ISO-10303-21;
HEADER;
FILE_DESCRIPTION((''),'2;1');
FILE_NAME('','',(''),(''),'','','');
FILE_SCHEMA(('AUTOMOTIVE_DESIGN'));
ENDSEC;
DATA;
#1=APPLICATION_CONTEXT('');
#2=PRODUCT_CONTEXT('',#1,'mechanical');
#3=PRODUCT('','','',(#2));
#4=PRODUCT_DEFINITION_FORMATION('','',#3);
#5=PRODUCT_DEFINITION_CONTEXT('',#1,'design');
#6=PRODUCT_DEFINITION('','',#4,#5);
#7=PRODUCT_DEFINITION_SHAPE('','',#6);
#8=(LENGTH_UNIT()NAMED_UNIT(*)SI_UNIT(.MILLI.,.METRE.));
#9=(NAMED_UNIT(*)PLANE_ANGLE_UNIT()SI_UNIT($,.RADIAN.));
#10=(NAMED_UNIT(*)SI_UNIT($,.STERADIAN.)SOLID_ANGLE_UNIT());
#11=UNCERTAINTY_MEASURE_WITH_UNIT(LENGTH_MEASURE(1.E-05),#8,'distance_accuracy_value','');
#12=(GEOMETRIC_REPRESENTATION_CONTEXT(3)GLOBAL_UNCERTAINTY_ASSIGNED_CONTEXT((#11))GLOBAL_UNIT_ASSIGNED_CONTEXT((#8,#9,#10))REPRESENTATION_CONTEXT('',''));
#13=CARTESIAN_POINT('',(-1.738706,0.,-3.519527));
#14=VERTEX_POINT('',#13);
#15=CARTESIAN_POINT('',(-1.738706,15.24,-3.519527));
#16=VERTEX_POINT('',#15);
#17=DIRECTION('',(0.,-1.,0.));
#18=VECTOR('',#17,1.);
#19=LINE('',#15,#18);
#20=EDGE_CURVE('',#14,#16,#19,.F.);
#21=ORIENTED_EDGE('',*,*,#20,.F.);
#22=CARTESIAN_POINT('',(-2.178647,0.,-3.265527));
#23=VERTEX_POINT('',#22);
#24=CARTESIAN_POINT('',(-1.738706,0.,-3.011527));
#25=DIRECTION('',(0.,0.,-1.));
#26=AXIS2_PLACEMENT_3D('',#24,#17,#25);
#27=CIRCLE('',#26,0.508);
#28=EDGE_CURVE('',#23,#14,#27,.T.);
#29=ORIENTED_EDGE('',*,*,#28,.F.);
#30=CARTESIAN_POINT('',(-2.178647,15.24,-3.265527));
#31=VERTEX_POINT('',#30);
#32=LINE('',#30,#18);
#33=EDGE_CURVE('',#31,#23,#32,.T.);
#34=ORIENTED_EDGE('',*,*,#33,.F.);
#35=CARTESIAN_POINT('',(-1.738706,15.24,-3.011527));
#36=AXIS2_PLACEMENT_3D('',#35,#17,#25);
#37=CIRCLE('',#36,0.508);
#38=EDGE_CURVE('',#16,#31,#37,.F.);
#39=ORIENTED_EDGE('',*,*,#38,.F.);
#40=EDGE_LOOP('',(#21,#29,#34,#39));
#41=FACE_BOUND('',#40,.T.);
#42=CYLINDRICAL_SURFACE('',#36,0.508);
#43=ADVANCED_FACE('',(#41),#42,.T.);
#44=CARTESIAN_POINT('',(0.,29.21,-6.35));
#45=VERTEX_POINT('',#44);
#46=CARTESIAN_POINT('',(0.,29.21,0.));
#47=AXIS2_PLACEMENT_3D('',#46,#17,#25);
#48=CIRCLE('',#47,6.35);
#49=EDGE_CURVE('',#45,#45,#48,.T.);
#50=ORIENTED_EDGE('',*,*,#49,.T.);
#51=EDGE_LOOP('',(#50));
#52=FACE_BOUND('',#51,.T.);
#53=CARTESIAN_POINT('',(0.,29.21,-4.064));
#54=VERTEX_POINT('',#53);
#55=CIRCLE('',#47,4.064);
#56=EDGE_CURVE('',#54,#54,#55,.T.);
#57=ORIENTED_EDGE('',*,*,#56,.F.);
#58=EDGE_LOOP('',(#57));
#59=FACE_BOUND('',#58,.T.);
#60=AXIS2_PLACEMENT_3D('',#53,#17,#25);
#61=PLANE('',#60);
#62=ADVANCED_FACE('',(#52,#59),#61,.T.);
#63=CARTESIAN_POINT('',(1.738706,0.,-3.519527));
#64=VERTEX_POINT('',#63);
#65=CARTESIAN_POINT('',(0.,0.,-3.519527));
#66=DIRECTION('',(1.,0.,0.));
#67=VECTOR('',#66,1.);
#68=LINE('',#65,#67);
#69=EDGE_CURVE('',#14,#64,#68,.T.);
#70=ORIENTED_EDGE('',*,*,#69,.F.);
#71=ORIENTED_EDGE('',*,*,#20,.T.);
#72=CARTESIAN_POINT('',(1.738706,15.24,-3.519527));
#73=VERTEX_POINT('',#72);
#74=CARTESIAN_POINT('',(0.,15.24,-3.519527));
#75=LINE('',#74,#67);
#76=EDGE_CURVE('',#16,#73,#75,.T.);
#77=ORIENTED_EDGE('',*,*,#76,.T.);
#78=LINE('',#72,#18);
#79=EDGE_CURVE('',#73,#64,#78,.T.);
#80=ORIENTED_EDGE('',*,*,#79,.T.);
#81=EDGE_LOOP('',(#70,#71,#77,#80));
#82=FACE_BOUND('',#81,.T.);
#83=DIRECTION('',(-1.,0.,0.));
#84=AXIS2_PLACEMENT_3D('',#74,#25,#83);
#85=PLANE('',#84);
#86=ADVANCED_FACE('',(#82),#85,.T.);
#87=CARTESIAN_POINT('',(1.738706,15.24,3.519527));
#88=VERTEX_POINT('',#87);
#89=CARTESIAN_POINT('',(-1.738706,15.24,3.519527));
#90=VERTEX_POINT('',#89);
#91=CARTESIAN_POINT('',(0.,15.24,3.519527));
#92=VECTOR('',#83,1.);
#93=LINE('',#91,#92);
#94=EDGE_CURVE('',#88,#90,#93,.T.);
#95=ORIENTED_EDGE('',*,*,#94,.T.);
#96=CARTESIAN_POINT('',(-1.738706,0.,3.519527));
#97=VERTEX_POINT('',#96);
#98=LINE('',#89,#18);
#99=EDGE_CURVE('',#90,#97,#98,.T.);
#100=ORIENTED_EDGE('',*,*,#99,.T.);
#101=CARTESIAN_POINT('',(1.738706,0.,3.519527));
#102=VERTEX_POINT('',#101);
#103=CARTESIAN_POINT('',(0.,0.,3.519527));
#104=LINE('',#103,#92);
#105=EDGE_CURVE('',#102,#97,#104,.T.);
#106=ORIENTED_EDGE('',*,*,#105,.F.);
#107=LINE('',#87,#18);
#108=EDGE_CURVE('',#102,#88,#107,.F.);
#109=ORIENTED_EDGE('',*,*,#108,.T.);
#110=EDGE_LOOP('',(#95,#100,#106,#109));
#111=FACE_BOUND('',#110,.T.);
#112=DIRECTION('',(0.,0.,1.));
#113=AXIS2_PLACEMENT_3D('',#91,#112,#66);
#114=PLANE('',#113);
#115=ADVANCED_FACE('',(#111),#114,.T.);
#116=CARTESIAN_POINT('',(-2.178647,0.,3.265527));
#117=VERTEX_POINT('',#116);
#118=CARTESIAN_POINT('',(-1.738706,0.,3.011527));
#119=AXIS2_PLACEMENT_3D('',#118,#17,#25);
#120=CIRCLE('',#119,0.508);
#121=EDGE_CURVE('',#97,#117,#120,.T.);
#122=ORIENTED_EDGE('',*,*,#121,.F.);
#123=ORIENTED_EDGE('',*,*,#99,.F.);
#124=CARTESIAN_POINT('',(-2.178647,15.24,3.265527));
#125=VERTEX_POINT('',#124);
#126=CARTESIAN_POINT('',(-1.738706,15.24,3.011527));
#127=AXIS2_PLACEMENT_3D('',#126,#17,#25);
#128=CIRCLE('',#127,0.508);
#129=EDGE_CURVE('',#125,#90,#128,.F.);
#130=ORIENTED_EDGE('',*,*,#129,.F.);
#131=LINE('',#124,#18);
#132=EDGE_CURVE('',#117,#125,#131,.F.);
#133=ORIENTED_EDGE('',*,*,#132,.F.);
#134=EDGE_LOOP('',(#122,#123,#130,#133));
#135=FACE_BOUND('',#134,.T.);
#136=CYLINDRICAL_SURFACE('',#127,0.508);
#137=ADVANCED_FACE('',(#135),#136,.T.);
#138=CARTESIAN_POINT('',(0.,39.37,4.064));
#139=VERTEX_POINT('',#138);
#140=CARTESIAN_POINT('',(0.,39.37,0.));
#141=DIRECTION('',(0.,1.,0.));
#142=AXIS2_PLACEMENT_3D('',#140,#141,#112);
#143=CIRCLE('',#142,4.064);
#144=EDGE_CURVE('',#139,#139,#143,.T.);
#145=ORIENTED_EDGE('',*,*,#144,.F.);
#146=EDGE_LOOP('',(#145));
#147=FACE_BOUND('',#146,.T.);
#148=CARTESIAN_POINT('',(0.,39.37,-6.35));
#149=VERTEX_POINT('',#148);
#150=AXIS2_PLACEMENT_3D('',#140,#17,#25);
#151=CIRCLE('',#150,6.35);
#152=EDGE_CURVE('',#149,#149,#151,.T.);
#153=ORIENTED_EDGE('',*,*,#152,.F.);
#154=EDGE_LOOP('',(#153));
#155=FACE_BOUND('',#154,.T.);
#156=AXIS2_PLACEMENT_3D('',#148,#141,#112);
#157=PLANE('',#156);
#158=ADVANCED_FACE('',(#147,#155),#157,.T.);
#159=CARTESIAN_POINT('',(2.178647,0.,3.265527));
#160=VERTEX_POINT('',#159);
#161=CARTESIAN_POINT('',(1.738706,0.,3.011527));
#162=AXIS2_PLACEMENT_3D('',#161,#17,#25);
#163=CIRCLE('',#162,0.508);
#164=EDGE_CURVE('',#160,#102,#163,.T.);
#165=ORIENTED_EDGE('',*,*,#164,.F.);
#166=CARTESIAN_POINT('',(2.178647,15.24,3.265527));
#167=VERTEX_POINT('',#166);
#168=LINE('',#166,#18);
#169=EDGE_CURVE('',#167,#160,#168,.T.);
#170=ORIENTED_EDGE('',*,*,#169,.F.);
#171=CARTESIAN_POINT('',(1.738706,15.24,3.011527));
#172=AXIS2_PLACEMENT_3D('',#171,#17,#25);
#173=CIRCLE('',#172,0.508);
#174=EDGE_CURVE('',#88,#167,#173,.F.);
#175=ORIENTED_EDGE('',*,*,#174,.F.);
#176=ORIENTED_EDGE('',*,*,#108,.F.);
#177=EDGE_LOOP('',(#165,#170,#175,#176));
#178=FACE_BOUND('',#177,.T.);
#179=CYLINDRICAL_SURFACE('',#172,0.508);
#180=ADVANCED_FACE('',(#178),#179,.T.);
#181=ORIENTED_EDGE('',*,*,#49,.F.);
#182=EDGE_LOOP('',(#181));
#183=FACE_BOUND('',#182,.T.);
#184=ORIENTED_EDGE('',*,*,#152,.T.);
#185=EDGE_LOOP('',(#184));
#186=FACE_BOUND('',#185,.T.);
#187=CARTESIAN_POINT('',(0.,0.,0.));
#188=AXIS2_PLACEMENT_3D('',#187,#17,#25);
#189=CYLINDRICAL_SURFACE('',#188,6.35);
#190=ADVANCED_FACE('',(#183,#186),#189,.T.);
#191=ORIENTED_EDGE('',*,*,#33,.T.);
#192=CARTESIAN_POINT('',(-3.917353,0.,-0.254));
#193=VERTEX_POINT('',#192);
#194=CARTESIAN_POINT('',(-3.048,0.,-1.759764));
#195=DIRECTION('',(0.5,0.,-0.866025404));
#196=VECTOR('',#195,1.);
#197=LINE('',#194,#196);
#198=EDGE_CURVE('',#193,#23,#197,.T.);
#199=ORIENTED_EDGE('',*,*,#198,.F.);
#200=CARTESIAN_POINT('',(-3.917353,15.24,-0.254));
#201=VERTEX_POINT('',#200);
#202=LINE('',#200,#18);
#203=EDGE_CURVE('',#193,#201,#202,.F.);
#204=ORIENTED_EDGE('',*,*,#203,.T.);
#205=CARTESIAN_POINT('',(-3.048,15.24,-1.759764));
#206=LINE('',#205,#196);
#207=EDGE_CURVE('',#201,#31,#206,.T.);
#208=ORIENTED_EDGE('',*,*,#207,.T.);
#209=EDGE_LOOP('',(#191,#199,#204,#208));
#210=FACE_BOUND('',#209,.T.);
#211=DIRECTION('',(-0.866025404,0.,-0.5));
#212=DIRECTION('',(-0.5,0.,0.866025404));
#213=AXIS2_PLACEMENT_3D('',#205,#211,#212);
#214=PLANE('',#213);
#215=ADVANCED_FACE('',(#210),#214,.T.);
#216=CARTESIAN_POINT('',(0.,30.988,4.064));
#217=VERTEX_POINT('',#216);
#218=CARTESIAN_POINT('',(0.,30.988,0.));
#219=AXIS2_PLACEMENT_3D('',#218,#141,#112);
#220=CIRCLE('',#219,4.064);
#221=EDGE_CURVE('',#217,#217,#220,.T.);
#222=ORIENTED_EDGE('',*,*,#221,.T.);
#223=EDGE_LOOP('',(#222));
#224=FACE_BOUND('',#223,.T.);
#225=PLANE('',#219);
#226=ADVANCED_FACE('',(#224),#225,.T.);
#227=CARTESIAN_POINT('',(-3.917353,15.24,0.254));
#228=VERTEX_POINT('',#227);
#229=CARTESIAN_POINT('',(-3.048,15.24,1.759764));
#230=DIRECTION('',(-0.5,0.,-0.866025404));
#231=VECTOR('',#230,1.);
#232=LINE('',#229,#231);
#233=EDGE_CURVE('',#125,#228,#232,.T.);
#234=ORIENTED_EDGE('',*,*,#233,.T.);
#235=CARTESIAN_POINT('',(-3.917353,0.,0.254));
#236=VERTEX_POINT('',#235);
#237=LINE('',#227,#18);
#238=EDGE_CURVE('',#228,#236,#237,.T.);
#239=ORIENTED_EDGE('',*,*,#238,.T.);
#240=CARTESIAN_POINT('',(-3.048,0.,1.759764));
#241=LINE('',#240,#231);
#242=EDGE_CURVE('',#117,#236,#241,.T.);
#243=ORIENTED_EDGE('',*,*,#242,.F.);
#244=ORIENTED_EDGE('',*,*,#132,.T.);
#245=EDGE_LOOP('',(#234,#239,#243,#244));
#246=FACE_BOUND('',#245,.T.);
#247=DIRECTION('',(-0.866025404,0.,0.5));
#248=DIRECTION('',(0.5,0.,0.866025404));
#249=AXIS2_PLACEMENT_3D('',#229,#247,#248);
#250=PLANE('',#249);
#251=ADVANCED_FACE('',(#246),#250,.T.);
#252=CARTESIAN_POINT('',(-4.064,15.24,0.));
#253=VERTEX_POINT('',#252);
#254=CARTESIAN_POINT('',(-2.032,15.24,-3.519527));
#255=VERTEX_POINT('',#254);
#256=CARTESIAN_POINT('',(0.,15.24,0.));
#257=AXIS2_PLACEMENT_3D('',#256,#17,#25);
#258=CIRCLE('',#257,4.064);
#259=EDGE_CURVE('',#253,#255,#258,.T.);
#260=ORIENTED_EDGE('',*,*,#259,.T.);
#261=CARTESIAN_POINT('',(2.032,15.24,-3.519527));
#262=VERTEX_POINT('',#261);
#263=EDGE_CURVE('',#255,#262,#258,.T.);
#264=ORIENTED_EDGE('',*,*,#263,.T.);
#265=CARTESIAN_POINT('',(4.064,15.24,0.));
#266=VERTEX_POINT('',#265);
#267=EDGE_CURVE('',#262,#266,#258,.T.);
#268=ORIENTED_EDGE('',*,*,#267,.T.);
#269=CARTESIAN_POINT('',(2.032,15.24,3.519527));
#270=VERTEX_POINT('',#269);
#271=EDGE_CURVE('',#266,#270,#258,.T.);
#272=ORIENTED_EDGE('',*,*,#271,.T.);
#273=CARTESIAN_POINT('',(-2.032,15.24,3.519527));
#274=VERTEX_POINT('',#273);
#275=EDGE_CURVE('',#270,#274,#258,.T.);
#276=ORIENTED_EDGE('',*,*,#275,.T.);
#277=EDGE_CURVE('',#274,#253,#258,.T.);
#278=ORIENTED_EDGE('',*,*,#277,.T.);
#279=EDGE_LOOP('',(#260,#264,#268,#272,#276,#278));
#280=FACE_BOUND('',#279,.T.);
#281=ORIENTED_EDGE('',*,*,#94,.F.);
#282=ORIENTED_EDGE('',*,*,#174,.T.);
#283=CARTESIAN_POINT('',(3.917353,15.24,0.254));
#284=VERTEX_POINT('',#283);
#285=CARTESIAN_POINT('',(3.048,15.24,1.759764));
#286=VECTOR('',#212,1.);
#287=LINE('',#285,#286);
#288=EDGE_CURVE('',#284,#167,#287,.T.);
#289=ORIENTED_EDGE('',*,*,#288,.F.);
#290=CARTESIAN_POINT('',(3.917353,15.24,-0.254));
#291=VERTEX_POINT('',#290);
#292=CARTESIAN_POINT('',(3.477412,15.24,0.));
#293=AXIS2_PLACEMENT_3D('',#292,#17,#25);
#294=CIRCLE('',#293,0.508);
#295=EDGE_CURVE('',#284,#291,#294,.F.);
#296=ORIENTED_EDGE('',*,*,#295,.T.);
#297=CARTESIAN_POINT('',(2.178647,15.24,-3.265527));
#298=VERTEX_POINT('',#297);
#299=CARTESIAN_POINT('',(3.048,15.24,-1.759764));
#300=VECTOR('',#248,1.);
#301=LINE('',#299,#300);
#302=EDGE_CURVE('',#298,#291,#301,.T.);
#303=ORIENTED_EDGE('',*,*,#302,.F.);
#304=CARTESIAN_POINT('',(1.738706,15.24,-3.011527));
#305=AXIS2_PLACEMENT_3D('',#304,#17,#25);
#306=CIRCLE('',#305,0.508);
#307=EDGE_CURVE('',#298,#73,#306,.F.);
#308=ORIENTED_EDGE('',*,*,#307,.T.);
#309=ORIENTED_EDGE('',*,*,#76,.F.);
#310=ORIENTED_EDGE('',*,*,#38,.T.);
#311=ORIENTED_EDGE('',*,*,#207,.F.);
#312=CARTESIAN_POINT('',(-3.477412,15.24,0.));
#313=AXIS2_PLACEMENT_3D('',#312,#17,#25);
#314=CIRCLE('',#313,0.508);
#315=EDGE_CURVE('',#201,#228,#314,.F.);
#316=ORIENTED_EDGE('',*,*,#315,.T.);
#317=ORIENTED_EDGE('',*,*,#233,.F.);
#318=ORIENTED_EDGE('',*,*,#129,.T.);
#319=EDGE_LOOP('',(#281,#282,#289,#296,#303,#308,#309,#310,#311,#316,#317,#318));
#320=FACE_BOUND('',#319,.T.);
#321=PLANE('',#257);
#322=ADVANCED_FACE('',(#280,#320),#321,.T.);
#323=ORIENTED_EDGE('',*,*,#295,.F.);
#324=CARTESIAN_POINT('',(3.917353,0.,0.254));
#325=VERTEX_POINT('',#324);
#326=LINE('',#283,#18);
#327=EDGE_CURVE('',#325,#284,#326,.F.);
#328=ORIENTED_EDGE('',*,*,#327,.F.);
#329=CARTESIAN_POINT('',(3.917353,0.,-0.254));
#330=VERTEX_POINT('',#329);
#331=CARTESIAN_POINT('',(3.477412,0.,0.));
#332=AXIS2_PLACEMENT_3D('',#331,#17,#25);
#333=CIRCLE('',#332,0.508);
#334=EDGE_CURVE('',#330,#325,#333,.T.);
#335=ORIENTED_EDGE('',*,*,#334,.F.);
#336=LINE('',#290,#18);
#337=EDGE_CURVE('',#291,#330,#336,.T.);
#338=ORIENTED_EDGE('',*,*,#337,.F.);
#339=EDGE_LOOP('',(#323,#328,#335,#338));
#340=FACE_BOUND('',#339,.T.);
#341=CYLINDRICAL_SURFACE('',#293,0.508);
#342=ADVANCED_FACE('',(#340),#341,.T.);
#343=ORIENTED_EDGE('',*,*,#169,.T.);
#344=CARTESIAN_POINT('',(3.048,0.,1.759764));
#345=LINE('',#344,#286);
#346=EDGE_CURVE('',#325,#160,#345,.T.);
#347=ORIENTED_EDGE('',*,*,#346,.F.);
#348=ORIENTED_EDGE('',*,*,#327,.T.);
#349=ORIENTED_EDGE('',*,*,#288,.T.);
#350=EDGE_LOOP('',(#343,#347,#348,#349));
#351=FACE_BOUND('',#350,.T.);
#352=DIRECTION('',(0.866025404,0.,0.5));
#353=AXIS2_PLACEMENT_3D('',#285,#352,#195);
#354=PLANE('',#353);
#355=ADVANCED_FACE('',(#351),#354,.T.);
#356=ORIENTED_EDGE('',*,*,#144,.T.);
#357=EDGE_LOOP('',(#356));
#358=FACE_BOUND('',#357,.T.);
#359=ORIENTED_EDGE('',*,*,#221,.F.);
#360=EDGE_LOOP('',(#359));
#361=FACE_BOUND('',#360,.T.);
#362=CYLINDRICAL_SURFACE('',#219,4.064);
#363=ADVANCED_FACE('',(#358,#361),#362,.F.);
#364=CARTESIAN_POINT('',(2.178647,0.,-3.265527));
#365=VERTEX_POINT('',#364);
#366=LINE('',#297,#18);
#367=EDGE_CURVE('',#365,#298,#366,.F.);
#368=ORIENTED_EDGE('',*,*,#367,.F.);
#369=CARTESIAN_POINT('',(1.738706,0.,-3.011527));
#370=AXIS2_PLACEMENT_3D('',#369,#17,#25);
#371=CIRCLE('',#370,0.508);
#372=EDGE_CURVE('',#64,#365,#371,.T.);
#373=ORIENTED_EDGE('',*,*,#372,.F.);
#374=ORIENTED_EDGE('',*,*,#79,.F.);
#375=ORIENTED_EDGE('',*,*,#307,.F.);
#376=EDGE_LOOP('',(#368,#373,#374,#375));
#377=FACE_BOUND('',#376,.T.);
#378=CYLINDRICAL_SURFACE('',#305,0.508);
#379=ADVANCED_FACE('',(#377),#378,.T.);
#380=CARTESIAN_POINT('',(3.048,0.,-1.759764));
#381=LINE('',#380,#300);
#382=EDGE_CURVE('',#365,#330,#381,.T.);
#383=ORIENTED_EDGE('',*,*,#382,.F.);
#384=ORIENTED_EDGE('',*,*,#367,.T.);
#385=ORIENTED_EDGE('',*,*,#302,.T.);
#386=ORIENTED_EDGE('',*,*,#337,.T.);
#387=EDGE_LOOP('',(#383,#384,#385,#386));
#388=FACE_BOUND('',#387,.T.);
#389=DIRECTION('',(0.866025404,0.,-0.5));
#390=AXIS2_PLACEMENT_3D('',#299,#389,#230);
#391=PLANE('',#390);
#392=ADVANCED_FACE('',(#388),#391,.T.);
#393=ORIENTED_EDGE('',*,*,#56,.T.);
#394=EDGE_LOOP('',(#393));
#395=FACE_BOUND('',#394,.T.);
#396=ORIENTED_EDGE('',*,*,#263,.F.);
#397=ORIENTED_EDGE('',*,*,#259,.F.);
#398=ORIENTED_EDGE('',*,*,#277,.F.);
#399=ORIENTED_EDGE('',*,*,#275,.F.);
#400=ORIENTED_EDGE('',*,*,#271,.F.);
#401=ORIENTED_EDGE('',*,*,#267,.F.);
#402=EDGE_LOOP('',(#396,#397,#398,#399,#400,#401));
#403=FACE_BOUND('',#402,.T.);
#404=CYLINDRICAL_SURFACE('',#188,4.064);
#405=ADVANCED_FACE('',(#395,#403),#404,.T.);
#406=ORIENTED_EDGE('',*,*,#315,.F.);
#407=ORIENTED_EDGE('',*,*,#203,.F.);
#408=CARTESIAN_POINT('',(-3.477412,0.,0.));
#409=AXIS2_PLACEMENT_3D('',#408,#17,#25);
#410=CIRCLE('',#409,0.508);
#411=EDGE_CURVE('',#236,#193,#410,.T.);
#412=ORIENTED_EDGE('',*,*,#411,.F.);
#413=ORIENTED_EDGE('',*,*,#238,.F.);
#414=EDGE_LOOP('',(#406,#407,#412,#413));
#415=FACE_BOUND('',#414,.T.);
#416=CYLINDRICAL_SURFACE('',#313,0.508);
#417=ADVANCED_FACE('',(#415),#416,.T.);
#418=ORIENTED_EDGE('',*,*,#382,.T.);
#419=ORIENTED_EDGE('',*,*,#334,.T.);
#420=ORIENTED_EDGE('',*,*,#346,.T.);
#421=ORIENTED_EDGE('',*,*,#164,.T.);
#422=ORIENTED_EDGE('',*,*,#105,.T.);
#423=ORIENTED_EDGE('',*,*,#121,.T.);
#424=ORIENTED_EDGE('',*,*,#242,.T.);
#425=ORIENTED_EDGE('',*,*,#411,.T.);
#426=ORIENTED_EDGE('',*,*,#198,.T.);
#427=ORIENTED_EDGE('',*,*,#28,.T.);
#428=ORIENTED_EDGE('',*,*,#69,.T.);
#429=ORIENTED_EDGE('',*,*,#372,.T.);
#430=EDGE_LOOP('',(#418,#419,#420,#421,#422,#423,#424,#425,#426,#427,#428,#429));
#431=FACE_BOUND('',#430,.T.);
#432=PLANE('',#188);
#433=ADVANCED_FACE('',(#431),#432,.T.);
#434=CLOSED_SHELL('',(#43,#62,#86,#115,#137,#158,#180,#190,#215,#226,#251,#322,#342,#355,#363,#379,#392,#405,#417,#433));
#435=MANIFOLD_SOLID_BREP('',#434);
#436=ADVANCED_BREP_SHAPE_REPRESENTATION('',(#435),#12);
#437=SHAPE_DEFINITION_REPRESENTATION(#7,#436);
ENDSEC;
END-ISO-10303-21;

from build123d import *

# Parameters (mm, degrees)
SKETCH2_R          = 4.064
CUT_EXTRUDE1_DEPTH = 8.382
CUT_EXTRUDE3_START = -15.24
CUT_EXTRUDE3_DEPTH = 15.24
FILLET2_R          = 0.508


with BuildPart() as part:
    # Sketch1 → Revolve1 (revolve)
    with BuildSketch(Plane(origin=(0, 0, 0), x_dir=(0, 0, -1), z_dir=(1, 0, 0))):
        Polygon((0, 0), (4.064, 0), (4.064, 13.97), (4.064, 29.21), (6.35, 29.21), (6.35, 39.37), (0, 39.37), align=None)
    revolve(axis=Axis((0, 0, 0), (0, 1, 0)))

    # Sketch2 → Cut-Extrude1 (cut)
    with BuildSketch(Plane(origin=(0, 39.37, 0), x_dir=(1, 0, 0), z_dir=(0, 1, 0))):
        with Locations(Location((0, 0, 0), (0, 0, 90))):
            Circle(SKETCH2_R)
    extrude(amount=-CUT_EXTRUDE1_DEPTH, mode=Mode.SUBTRACT)

    # Sketch3 → Cut-Extrude3 (cut)
    with BuildSketch(Plane.XZ.offset(CUT_EXTRUDE3_START)):
        with BuildLine():
            Line((-2.032, 3.519527241), (2.032, 3.519527241))
            ThreePointArc((2.032, 3.519527241), (0, 4.064), (-2.032, 3.519527241))
        make_face()
        with BuildLine():
            ThreePointArc((4.064, 0), (3.519527241, 2.032), (2.032, 3.519527241))
            Line((2.032, 3.519527241), (4.064, 0))
        make_face()
        with BuildLine():
            ThreePointArc((2.032, -3.519527241), (3.519527241, -2.032), (4.064, 0))
            Line((4.064, 0), (2.032, -3.519527241))
        make_face()
        with BuildLine():
            ThreePointArc((-2.032, -3.519527241), (0, -4.064), (2.032, -3.519527241))
            Line((2.032, -3.519527241), (-2.032, -3.519527241))
        make_face()
        with BuildLine():
            Line((-2.032, -3.519527241), (-4.064, 0))
            ThreePointArc((-4.064, 0), (-3.519527241, -2.032), (-2.032, -3.519527241))
        make_face()
        with BuildLine():
            Line((-4.064, 0), (-2.032, 3.519527241))
            ThreePointArc((-2.032, 3.519527241), (-3.519527241, 2.032), (-4.064, 0))
        make_face()
    extrude(amount=CUT_EXTRUDE3_DEPTH, mode=Mode.SUBTRACT)

    # Fillet2
    fillet2_edges = [part.edges().sort_by_distance(p)[0] for p in [
        (-4.064, 7.62, 0),
        (2.032, 7.62, -3.519527241),
        (2.032, 7.62, 3.519527241),
        (-2.032, 7.62, 3.519527241),
        (4.064, 7.62, 0),
        (-2.032, 7.62, -3.519527241),
    ]]
    fillet(fillet2_edges, radius=FILLET2_R)


solid = part.part
